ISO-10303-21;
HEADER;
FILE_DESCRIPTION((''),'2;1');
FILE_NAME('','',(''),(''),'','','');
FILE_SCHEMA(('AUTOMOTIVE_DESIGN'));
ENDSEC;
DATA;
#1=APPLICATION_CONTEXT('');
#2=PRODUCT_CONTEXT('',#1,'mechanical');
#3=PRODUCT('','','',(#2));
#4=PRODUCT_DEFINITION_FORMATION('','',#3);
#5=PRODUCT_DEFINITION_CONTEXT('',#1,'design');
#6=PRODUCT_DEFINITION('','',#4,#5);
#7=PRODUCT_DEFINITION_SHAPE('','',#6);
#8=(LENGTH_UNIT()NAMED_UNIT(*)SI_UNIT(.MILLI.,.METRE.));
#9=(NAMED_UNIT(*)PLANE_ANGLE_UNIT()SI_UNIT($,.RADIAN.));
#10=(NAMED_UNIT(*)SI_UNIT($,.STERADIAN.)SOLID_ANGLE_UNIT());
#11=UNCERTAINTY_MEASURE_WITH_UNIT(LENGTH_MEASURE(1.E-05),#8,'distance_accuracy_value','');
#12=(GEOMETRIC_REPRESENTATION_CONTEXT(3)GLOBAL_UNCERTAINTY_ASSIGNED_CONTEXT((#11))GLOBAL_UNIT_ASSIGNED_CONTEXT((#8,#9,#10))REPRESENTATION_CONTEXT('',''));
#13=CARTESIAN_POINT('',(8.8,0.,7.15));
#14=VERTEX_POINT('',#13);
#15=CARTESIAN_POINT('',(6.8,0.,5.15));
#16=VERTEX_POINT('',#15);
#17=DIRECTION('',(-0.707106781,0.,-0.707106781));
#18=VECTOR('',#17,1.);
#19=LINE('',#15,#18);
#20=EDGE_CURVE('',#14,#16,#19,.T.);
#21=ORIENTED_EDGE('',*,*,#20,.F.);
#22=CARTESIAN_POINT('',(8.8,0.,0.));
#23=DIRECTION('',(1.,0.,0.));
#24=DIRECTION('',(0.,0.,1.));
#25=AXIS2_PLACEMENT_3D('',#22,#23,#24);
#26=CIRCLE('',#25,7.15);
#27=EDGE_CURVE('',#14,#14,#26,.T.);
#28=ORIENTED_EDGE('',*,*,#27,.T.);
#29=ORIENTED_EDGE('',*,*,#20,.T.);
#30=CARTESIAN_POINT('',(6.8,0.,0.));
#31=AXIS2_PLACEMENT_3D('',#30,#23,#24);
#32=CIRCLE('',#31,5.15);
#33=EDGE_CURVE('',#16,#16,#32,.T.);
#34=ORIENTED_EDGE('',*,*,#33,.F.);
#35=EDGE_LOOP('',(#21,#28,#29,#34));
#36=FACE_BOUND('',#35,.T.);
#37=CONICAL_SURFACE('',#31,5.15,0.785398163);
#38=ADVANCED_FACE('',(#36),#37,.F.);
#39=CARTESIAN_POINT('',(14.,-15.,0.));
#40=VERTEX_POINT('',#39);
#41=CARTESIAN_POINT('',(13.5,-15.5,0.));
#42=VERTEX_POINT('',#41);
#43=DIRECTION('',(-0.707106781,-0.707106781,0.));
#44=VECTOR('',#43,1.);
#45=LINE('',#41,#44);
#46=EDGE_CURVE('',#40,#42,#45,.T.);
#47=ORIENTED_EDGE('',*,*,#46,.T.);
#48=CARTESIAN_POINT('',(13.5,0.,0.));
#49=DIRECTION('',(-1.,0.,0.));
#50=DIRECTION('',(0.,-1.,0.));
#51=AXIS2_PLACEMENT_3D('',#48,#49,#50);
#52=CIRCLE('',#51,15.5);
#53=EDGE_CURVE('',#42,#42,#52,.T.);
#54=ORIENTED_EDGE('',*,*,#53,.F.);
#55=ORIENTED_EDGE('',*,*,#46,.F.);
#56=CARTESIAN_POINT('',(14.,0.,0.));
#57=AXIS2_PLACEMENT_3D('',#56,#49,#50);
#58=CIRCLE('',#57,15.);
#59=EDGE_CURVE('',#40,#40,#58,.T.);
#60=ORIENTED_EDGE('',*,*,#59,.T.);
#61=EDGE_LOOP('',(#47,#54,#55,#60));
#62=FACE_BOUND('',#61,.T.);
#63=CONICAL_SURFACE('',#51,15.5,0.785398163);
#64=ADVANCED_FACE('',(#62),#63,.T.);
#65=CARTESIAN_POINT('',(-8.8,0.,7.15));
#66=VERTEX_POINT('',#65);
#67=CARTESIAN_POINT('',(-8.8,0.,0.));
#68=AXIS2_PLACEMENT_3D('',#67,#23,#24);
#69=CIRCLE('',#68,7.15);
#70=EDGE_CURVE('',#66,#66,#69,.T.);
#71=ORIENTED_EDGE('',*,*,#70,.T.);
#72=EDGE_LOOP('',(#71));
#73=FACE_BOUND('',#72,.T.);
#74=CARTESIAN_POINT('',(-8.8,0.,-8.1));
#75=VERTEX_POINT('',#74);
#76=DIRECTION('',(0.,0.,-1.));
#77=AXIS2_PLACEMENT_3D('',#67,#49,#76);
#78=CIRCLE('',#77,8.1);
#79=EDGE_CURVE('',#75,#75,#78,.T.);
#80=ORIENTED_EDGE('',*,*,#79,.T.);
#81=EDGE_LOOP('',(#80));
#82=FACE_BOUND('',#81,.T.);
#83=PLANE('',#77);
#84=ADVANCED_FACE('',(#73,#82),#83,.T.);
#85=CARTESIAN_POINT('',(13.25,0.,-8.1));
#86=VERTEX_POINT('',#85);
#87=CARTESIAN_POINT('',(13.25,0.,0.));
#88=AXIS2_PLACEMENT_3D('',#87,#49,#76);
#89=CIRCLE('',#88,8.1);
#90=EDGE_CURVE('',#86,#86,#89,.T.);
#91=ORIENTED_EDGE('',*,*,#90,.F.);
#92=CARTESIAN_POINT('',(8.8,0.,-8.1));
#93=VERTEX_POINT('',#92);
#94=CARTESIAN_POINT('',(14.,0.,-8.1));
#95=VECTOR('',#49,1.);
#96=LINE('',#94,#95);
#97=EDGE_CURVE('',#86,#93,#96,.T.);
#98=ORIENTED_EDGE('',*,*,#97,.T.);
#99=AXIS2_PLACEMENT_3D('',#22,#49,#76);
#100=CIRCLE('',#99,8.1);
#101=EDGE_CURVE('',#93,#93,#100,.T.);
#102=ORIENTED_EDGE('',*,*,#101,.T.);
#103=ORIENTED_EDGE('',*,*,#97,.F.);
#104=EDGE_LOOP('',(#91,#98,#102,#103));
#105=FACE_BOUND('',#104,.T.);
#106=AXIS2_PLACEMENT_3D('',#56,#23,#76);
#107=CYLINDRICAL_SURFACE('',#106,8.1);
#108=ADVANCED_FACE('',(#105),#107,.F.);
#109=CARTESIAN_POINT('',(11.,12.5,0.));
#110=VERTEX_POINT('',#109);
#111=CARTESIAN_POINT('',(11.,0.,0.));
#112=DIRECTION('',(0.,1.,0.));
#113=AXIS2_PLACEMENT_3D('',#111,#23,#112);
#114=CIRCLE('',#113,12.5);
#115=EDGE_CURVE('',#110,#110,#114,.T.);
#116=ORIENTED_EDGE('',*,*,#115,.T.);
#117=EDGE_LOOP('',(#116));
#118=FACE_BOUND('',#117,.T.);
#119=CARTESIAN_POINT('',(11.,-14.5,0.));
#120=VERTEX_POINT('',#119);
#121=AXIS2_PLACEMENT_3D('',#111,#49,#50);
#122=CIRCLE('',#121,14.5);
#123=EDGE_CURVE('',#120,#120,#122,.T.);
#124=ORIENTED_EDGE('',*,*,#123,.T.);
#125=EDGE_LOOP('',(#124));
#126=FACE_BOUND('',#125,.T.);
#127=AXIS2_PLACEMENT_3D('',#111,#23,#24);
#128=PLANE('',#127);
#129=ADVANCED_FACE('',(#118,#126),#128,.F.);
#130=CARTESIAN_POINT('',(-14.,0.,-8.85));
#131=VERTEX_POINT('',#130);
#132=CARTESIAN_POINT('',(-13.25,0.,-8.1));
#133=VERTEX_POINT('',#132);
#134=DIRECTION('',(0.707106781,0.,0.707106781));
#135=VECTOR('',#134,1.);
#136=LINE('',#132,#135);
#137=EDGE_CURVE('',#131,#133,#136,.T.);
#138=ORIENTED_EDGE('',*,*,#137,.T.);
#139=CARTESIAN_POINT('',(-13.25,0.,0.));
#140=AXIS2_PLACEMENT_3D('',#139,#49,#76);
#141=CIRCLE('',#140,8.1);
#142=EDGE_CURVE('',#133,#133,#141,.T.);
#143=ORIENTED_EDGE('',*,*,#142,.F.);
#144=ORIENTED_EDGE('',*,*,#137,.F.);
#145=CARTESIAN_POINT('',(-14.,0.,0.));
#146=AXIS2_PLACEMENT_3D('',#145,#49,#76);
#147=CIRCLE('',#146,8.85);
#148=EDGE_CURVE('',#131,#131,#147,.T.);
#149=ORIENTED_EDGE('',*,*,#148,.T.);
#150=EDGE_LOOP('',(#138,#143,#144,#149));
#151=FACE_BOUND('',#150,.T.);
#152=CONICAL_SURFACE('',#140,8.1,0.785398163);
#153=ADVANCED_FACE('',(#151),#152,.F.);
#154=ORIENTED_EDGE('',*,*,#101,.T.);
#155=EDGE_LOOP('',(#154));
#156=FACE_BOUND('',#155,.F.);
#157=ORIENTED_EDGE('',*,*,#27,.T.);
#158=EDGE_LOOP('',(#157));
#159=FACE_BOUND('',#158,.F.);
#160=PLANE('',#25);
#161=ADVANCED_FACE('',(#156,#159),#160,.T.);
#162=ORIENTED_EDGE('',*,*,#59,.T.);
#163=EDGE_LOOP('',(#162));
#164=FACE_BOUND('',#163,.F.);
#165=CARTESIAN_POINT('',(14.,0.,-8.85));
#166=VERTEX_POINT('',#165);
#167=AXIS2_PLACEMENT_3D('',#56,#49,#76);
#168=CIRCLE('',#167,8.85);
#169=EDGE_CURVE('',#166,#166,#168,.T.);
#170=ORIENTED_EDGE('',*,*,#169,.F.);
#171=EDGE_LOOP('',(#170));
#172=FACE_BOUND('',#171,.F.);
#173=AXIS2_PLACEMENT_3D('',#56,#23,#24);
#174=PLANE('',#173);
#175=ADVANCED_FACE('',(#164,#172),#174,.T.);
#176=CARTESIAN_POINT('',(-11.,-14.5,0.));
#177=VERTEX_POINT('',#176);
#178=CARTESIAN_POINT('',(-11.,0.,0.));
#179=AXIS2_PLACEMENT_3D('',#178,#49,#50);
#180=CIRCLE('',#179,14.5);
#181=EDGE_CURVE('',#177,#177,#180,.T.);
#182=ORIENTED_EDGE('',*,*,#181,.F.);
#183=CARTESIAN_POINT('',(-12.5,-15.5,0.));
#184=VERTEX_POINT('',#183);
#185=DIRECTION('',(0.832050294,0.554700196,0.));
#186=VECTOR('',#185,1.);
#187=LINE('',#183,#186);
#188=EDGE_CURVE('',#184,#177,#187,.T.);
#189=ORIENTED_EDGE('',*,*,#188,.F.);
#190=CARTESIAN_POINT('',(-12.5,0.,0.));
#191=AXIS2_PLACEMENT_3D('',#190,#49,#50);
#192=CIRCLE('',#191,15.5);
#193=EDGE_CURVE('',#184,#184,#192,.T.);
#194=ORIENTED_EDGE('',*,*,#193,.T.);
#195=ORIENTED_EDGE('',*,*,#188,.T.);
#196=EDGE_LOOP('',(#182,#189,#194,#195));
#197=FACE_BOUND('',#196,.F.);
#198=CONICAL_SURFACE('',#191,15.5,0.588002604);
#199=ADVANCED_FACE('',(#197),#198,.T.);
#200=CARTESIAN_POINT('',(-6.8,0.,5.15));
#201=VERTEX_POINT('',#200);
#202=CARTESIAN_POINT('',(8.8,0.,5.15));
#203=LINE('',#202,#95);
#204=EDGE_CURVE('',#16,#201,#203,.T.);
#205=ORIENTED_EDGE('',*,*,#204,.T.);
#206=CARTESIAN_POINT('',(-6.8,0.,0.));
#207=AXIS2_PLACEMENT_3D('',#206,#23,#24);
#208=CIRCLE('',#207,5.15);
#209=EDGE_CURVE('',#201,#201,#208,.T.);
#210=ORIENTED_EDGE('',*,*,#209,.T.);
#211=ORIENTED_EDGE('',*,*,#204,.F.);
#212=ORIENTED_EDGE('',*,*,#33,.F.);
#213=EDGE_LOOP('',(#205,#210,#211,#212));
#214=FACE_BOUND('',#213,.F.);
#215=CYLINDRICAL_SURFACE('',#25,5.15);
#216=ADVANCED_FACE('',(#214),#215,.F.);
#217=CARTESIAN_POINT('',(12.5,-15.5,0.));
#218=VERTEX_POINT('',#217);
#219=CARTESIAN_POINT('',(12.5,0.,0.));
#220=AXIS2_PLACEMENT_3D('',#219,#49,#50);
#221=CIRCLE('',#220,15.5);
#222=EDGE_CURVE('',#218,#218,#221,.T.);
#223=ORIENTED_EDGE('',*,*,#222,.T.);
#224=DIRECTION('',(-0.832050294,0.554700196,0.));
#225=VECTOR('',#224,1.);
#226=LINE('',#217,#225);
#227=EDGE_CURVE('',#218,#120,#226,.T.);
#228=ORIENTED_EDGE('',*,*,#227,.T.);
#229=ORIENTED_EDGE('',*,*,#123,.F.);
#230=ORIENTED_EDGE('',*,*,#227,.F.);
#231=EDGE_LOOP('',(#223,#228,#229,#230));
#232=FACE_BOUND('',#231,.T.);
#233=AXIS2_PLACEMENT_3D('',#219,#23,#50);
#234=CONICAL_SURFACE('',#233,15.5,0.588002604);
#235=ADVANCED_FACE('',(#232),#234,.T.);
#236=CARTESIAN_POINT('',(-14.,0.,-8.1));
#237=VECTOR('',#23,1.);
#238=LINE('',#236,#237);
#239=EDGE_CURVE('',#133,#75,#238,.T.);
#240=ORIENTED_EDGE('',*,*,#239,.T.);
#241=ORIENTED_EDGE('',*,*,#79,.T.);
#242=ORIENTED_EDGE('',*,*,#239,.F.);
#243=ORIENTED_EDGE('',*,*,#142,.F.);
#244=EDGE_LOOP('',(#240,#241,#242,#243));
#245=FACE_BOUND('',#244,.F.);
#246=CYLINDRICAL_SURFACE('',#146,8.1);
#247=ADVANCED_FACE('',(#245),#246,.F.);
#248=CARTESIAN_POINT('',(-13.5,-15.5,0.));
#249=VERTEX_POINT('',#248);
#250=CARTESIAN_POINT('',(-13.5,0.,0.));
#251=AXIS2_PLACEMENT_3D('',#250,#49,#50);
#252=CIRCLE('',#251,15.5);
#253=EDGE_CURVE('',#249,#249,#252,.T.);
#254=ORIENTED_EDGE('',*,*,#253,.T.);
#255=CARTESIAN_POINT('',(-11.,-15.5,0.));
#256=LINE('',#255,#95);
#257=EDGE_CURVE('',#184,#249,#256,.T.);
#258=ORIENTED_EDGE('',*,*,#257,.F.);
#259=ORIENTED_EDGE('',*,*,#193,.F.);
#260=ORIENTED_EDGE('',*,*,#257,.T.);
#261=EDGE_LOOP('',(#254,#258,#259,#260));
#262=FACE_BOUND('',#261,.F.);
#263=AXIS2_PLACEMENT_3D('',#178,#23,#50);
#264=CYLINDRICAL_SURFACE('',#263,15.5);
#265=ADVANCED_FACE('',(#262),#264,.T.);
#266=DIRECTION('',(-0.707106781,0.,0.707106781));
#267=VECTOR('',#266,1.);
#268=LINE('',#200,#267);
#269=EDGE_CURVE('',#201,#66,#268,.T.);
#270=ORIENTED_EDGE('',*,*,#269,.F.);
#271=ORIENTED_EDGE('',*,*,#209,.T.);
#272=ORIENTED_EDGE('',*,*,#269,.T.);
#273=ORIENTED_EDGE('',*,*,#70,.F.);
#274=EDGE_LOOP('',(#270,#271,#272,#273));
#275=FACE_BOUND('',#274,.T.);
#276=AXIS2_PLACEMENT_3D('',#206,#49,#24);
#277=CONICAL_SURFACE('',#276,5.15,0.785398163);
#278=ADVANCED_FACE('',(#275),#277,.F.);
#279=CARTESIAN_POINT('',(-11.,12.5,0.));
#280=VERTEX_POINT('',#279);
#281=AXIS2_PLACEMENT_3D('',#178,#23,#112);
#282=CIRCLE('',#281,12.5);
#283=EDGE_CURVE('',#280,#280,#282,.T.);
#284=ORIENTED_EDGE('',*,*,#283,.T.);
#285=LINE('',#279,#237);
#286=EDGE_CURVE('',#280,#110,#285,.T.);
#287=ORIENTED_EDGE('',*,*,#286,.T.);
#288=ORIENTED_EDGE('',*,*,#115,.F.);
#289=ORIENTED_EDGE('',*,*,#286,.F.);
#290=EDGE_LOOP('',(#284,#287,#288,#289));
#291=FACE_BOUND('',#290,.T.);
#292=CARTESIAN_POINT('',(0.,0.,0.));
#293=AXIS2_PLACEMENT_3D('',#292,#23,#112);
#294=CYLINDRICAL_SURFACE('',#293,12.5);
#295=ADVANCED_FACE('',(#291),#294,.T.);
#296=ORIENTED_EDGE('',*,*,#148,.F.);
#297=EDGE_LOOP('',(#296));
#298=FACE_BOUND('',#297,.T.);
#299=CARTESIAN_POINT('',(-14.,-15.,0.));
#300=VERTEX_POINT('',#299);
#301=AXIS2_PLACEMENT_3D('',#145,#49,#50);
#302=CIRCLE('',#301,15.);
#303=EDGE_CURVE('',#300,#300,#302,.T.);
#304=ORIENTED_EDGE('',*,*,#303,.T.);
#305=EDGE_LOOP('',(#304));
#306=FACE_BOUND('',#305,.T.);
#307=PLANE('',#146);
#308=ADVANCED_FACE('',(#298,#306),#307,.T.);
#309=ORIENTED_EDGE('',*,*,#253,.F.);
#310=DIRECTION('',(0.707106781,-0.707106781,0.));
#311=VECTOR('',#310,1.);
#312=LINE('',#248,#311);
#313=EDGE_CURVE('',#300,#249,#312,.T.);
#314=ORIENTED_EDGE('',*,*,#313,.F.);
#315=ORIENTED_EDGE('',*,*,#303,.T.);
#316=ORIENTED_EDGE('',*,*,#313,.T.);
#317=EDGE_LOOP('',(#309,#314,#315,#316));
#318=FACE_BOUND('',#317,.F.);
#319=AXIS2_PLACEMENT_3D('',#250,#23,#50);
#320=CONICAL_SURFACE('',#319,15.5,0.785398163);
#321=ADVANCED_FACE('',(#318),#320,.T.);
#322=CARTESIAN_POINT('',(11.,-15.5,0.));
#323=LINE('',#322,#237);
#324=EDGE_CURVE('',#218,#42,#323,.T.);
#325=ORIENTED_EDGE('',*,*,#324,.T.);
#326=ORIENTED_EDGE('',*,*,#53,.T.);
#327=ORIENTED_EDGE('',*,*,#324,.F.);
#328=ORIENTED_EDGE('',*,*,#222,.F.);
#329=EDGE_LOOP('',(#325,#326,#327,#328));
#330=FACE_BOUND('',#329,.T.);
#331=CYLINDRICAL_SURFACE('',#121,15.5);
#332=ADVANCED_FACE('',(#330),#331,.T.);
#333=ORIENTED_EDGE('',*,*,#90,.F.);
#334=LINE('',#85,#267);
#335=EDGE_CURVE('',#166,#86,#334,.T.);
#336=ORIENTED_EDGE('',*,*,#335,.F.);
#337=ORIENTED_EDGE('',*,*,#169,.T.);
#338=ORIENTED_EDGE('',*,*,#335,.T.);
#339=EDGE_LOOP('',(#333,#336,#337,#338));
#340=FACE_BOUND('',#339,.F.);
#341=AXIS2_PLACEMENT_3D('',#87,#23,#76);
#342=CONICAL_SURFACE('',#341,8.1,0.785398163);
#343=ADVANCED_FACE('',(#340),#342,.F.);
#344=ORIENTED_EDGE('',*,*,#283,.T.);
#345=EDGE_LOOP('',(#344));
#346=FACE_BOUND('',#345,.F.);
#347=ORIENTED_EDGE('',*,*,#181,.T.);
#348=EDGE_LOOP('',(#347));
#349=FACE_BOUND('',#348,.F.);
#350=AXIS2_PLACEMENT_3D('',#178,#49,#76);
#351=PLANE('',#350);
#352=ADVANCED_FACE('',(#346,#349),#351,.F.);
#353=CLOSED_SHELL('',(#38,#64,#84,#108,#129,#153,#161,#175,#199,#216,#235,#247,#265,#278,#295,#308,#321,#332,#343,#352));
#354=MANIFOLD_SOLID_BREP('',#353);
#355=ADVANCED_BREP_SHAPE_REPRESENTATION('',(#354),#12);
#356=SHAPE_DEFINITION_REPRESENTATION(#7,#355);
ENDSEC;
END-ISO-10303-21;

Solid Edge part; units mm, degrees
sketch "Sketch1" plane through (0, 0, 0) normal (1, 0, 0) x (0, 1, 0)
  circle A0 centre (0, 0) radius 12.5
extrude "Extrusionsausprägung_15" add sketch "Sketch1" along normal mid plane 22
sketch "Sketch2" plane through (-11, 0, 0) normal (-1, 0, 0) x (0, -1, 0)
  circle A0 centre (0, 0) radius 15.5
extrude "Extrusionsausprägung_16" add sketch "Sketch2" along normal blind 3
chamfer "Fase_9" distance 1.5 distance2 1 1 edges at (-11, 15.5, 0) measured on face at (-13.47, -8.5776, 12.9103)
sketch "Sketch3" plane through (-14, 0, 0) normal (-1, 0, 0) x (0, 0, -1)
  circle A0 centre (0, 0) radius 8.1
extrude "Extrusionsausschnitt_23" cut sketch "Sketch3" against normal blind 5.2
chamfer "Fase_10" distance 0.75 angle 45 1 edges at (-14, 0, 8.1)
chamfer "Fase_11" distance 0.5 angle 45 1 edges at (-14, 15.5, 0)
mirror "Mirror1" about plane through (0, 0, 0) normal (1, 0, 0) of "Extrusionsausprägung_16", "Fase_9", "Extrusionsausschnitt_23", "Fase_10", "Fase_11"
sketch "Sketch4" plane through (8.8, 0, 0) normal (1, 0, 0) x (0, 0, 1)
  circle A0 centre (0, 0) radius 5.15
extrude "Extrusionsausschnitt_24" cut sketch "Sketch4" against normal blind 20
chamfer "Fase_12" distance 2 angle 45 2 edges at (8.8, 0, -5.15) (-8.8, -5.15, 0)
